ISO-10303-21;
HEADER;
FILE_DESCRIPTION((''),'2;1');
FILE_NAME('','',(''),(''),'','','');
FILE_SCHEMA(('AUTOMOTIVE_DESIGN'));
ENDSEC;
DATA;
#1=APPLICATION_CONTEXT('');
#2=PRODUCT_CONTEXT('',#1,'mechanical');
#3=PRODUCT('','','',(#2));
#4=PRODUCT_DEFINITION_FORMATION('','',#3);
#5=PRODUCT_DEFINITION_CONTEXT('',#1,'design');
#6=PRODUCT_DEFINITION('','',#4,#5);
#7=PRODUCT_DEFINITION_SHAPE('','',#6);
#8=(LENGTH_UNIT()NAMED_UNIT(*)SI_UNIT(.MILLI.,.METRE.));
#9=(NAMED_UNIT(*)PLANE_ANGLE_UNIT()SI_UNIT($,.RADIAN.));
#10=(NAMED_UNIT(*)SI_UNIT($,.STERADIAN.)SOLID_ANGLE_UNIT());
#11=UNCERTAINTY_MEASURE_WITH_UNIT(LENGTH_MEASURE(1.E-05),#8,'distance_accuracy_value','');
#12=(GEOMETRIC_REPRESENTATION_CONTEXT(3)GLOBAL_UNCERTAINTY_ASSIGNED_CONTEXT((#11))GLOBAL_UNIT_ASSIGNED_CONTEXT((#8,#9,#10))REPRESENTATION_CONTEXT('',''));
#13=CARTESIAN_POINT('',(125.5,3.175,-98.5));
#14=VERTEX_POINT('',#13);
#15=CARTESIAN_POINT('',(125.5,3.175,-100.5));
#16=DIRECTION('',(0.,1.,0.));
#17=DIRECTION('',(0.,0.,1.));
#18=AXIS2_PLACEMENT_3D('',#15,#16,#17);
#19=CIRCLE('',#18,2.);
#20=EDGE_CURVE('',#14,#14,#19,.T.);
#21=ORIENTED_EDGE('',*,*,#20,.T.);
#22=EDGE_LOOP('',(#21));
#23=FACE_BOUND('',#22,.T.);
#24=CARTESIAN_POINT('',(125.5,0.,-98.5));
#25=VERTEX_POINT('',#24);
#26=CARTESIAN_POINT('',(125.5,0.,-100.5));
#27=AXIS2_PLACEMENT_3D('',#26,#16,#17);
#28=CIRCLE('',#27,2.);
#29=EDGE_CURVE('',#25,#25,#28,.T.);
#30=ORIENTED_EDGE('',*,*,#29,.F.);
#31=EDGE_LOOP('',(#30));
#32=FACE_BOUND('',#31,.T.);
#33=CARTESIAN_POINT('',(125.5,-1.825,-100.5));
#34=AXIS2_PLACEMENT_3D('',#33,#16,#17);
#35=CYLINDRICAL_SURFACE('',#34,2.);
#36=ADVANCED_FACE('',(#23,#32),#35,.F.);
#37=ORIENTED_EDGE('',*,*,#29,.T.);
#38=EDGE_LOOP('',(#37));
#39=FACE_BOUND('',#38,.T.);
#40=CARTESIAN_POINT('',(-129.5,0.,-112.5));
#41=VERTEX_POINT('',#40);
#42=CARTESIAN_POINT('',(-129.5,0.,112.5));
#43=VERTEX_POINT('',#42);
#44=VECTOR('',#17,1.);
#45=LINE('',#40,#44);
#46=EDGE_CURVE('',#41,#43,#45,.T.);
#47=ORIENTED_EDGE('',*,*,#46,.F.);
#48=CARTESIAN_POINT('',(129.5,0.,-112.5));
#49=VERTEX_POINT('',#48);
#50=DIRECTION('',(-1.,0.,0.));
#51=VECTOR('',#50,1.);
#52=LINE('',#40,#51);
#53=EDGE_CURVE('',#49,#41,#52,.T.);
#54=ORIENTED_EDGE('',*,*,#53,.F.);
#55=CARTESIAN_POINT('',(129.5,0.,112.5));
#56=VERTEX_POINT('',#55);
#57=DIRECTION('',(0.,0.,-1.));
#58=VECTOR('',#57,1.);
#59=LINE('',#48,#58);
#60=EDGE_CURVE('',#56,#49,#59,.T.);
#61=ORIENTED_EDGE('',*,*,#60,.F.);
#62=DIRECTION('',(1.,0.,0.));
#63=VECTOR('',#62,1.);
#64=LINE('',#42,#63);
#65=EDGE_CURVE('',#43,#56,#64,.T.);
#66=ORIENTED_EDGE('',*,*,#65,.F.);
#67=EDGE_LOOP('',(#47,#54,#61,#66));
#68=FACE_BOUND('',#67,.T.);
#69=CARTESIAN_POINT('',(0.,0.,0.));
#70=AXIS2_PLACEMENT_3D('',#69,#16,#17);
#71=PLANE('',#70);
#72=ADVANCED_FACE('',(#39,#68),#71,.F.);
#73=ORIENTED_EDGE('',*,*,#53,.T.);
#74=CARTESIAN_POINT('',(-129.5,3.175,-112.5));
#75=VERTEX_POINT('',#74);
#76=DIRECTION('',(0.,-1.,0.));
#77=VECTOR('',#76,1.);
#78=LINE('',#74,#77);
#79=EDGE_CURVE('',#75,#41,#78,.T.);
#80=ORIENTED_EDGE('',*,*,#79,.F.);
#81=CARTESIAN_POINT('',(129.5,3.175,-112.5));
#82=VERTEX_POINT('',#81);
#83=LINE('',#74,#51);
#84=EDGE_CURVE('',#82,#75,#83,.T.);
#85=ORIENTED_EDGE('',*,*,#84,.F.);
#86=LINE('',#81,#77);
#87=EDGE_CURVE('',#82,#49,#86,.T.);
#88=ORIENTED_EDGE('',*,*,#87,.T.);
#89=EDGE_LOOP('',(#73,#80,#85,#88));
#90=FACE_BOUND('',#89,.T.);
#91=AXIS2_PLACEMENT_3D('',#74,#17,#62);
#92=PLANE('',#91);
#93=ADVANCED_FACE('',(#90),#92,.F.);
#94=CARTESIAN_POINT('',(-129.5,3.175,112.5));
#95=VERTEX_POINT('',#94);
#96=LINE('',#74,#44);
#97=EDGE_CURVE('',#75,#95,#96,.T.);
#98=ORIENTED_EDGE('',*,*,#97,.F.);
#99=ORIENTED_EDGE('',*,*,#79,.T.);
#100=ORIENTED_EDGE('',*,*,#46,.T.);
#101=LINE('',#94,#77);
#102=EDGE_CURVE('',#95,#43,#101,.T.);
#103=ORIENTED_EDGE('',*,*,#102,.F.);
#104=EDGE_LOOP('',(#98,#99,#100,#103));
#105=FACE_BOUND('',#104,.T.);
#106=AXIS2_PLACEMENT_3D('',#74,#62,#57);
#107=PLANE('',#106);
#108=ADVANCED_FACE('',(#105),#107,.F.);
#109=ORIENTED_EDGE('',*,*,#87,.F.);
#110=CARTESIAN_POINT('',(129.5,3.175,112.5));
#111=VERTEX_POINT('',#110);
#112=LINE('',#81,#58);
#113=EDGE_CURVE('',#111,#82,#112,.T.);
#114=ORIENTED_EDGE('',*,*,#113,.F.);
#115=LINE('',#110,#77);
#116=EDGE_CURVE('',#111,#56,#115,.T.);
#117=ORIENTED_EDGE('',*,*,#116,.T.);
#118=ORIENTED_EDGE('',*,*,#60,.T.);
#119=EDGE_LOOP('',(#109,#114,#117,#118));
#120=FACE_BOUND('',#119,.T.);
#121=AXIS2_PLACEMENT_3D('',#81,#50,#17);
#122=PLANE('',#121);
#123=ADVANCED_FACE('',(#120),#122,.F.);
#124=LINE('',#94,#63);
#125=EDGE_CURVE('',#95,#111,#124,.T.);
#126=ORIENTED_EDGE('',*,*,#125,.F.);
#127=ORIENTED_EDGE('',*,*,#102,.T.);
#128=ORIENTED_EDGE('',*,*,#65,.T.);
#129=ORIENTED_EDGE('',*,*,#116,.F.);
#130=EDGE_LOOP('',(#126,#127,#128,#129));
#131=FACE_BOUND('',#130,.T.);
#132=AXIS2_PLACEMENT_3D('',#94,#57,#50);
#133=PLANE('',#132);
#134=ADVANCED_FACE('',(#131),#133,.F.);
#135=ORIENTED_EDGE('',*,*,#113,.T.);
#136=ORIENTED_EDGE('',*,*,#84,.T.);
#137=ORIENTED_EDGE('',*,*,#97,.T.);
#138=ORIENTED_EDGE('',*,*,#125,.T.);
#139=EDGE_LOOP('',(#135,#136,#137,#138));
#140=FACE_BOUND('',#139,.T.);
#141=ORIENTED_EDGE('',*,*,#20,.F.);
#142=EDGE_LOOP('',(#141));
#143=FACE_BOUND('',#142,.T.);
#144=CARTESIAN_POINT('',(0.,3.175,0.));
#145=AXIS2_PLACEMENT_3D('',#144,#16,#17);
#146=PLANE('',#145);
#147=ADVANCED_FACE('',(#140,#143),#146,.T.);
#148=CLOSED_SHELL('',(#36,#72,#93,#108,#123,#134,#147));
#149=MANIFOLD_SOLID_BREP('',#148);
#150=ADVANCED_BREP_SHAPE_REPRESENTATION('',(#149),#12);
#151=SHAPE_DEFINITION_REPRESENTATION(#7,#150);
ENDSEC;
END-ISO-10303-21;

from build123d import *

# Parameters (mm, degrees)
SKETCH1_W            = 259
SKETCH1_H            = 225
BOSS_EXTRUDE1_DEPTH  = 3.175
NEW_MOUNTING_HOLE_R  = 2
NEW_MOUNT_HOLE_DEPTH = 5


with BuildPart() as part:
    # Sketch1 → Boss-Extrude1 (new body)
    with BuildSketch(Plane(origin=(0, 0, 0), x_dir=(1, 0, 0), z_dir=(0, 1, 0))):
        Rectangle(SKETCH1_W, SKETCH1_H)
    extrude(amount=BOSS_EXTRUDE1_DEPTH)

    # New mounting hole → New mount hole (cut, symmetric)
    with BuildSketch(Plane(origin=(0, 3.175, 0), x_dir=(1, 0, 0), z_dir=(0, 1, 0))):
        with Locations(Location((125.5, 100.5, 0), (0, 0, 270))):
            Circle(NEW_MOUNTING_HOLE_R)
    extrude(amount=NEW_MOUNT_HOLE_DEPTH, both=True, mode=Mode.SUBTRACT)


solid = part.part
